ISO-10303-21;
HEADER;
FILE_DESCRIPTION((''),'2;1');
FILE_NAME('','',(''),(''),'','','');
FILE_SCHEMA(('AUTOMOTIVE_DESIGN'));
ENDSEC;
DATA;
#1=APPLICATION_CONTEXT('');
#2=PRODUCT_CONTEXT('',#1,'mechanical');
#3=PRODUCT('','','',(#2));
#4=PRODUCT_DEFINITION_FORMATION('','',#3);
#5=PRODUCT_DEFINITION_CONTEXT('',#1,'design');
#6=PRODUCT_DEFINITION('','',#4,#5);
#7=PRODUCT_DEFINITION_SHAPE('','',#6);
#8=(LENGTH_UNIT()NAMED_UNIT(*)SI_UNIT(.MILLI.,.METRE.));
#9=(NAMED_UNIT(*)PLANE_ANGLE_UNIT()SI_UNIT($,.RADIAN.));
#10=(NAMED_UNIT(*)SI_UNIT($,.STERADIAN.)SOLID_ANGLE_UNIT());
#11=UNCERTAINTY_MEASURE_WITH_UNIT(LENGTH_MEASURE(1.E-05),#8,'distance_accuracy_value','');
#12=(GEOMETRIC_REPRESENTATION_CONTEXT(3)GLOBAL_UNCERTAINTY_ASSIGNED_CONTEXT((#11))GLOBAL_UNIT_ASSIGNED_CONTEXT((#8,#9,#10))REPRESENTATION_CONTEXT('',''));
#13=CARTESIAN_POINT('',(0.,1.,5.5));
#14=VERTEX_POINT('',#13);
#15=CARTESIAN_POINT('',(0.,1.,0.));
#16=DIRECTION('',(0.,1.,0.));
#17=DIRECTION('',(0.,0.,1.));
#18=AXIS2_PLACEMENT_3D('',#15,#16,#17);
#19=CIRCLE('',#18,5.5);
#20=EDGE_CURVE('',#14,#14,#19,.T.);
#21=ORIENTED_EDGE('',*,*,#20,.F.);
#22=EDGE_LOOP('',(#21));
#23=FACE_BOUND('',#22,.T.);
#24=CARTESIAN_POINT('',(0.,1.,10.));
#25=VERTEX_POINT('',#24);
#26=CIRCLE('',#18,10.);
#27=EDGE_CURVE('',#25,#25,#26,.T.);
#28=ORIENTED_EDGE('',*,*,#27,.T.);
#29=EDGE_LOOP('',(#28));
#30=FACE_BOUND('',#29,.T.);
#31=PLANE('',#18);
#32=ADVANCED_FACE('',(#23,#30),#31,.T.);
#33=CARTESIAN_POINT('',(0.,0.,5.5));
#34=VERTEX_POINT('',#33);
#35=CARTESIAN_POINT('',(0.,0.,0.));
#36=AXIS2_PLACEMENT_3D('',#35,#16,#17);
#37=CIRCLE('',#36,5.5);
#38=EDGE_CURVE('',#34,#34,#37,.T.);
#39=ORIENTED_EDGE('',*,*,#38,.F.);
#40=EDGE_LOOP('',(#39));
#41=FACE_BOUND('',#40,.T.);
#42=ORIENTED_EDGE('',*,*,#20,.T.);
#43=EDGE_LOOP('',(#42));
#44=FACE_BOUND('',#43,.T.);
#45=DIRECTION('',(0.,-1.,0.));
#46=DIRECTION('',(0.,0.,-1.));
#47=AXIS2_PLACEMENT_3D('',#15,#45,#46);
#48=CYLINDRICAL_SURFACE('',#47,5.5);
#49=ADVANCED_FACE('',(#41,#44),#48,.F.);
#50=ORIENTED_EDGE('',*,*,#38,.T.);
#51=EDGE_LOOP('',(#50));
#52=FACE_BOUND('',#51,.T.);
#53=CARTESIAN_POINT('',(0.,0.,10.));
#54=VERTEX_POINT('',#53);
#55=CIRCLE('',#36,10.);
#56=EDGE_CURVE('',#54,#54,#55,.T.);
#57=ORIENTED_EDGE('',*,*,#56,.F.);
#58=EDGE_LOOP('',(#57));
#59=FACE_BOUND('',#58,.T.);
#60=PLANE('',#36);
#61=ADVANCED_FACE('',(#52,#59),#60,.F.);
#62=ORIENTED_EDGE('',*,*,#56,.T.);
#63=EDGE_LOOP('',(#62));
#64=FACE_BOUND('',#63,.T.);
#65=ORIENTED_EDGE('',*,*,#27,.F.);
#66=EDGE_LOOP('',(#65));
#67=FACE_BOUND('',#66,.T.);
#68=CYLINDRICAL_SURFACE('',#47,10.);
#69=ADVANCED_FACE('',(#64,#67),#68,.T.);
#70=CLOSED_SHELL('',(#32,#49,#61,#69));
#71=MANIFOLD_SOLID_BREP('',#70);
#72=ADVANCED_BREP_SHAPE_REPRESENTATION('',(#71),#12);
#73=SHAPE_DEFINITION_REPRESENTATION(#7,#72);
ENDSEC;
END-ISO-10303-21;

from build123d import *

# Parameters (mm, degrees)
CROQUIS1_R              = 10
CROQUIS1_R_2            = 5.5
SALIENTE_EXTRUIR1_DEPTH = 1


with BuildPart() as part:
    # Croquis1 → Saliente-Extruir1 (new body)
    with BuildSketch(Plane(origin=(0, 0, 0), x_dir=(1, 0, 0), z_dir=(0, 1, 0))):
        Circle(CROQUIS1_R)
        Circle(CROQUIS1_R_2, mode=Mode.SUBTRACT)
    extrude(amount=SALIENTE_EXTRUIR1_DEPTH)


solid = part.part
